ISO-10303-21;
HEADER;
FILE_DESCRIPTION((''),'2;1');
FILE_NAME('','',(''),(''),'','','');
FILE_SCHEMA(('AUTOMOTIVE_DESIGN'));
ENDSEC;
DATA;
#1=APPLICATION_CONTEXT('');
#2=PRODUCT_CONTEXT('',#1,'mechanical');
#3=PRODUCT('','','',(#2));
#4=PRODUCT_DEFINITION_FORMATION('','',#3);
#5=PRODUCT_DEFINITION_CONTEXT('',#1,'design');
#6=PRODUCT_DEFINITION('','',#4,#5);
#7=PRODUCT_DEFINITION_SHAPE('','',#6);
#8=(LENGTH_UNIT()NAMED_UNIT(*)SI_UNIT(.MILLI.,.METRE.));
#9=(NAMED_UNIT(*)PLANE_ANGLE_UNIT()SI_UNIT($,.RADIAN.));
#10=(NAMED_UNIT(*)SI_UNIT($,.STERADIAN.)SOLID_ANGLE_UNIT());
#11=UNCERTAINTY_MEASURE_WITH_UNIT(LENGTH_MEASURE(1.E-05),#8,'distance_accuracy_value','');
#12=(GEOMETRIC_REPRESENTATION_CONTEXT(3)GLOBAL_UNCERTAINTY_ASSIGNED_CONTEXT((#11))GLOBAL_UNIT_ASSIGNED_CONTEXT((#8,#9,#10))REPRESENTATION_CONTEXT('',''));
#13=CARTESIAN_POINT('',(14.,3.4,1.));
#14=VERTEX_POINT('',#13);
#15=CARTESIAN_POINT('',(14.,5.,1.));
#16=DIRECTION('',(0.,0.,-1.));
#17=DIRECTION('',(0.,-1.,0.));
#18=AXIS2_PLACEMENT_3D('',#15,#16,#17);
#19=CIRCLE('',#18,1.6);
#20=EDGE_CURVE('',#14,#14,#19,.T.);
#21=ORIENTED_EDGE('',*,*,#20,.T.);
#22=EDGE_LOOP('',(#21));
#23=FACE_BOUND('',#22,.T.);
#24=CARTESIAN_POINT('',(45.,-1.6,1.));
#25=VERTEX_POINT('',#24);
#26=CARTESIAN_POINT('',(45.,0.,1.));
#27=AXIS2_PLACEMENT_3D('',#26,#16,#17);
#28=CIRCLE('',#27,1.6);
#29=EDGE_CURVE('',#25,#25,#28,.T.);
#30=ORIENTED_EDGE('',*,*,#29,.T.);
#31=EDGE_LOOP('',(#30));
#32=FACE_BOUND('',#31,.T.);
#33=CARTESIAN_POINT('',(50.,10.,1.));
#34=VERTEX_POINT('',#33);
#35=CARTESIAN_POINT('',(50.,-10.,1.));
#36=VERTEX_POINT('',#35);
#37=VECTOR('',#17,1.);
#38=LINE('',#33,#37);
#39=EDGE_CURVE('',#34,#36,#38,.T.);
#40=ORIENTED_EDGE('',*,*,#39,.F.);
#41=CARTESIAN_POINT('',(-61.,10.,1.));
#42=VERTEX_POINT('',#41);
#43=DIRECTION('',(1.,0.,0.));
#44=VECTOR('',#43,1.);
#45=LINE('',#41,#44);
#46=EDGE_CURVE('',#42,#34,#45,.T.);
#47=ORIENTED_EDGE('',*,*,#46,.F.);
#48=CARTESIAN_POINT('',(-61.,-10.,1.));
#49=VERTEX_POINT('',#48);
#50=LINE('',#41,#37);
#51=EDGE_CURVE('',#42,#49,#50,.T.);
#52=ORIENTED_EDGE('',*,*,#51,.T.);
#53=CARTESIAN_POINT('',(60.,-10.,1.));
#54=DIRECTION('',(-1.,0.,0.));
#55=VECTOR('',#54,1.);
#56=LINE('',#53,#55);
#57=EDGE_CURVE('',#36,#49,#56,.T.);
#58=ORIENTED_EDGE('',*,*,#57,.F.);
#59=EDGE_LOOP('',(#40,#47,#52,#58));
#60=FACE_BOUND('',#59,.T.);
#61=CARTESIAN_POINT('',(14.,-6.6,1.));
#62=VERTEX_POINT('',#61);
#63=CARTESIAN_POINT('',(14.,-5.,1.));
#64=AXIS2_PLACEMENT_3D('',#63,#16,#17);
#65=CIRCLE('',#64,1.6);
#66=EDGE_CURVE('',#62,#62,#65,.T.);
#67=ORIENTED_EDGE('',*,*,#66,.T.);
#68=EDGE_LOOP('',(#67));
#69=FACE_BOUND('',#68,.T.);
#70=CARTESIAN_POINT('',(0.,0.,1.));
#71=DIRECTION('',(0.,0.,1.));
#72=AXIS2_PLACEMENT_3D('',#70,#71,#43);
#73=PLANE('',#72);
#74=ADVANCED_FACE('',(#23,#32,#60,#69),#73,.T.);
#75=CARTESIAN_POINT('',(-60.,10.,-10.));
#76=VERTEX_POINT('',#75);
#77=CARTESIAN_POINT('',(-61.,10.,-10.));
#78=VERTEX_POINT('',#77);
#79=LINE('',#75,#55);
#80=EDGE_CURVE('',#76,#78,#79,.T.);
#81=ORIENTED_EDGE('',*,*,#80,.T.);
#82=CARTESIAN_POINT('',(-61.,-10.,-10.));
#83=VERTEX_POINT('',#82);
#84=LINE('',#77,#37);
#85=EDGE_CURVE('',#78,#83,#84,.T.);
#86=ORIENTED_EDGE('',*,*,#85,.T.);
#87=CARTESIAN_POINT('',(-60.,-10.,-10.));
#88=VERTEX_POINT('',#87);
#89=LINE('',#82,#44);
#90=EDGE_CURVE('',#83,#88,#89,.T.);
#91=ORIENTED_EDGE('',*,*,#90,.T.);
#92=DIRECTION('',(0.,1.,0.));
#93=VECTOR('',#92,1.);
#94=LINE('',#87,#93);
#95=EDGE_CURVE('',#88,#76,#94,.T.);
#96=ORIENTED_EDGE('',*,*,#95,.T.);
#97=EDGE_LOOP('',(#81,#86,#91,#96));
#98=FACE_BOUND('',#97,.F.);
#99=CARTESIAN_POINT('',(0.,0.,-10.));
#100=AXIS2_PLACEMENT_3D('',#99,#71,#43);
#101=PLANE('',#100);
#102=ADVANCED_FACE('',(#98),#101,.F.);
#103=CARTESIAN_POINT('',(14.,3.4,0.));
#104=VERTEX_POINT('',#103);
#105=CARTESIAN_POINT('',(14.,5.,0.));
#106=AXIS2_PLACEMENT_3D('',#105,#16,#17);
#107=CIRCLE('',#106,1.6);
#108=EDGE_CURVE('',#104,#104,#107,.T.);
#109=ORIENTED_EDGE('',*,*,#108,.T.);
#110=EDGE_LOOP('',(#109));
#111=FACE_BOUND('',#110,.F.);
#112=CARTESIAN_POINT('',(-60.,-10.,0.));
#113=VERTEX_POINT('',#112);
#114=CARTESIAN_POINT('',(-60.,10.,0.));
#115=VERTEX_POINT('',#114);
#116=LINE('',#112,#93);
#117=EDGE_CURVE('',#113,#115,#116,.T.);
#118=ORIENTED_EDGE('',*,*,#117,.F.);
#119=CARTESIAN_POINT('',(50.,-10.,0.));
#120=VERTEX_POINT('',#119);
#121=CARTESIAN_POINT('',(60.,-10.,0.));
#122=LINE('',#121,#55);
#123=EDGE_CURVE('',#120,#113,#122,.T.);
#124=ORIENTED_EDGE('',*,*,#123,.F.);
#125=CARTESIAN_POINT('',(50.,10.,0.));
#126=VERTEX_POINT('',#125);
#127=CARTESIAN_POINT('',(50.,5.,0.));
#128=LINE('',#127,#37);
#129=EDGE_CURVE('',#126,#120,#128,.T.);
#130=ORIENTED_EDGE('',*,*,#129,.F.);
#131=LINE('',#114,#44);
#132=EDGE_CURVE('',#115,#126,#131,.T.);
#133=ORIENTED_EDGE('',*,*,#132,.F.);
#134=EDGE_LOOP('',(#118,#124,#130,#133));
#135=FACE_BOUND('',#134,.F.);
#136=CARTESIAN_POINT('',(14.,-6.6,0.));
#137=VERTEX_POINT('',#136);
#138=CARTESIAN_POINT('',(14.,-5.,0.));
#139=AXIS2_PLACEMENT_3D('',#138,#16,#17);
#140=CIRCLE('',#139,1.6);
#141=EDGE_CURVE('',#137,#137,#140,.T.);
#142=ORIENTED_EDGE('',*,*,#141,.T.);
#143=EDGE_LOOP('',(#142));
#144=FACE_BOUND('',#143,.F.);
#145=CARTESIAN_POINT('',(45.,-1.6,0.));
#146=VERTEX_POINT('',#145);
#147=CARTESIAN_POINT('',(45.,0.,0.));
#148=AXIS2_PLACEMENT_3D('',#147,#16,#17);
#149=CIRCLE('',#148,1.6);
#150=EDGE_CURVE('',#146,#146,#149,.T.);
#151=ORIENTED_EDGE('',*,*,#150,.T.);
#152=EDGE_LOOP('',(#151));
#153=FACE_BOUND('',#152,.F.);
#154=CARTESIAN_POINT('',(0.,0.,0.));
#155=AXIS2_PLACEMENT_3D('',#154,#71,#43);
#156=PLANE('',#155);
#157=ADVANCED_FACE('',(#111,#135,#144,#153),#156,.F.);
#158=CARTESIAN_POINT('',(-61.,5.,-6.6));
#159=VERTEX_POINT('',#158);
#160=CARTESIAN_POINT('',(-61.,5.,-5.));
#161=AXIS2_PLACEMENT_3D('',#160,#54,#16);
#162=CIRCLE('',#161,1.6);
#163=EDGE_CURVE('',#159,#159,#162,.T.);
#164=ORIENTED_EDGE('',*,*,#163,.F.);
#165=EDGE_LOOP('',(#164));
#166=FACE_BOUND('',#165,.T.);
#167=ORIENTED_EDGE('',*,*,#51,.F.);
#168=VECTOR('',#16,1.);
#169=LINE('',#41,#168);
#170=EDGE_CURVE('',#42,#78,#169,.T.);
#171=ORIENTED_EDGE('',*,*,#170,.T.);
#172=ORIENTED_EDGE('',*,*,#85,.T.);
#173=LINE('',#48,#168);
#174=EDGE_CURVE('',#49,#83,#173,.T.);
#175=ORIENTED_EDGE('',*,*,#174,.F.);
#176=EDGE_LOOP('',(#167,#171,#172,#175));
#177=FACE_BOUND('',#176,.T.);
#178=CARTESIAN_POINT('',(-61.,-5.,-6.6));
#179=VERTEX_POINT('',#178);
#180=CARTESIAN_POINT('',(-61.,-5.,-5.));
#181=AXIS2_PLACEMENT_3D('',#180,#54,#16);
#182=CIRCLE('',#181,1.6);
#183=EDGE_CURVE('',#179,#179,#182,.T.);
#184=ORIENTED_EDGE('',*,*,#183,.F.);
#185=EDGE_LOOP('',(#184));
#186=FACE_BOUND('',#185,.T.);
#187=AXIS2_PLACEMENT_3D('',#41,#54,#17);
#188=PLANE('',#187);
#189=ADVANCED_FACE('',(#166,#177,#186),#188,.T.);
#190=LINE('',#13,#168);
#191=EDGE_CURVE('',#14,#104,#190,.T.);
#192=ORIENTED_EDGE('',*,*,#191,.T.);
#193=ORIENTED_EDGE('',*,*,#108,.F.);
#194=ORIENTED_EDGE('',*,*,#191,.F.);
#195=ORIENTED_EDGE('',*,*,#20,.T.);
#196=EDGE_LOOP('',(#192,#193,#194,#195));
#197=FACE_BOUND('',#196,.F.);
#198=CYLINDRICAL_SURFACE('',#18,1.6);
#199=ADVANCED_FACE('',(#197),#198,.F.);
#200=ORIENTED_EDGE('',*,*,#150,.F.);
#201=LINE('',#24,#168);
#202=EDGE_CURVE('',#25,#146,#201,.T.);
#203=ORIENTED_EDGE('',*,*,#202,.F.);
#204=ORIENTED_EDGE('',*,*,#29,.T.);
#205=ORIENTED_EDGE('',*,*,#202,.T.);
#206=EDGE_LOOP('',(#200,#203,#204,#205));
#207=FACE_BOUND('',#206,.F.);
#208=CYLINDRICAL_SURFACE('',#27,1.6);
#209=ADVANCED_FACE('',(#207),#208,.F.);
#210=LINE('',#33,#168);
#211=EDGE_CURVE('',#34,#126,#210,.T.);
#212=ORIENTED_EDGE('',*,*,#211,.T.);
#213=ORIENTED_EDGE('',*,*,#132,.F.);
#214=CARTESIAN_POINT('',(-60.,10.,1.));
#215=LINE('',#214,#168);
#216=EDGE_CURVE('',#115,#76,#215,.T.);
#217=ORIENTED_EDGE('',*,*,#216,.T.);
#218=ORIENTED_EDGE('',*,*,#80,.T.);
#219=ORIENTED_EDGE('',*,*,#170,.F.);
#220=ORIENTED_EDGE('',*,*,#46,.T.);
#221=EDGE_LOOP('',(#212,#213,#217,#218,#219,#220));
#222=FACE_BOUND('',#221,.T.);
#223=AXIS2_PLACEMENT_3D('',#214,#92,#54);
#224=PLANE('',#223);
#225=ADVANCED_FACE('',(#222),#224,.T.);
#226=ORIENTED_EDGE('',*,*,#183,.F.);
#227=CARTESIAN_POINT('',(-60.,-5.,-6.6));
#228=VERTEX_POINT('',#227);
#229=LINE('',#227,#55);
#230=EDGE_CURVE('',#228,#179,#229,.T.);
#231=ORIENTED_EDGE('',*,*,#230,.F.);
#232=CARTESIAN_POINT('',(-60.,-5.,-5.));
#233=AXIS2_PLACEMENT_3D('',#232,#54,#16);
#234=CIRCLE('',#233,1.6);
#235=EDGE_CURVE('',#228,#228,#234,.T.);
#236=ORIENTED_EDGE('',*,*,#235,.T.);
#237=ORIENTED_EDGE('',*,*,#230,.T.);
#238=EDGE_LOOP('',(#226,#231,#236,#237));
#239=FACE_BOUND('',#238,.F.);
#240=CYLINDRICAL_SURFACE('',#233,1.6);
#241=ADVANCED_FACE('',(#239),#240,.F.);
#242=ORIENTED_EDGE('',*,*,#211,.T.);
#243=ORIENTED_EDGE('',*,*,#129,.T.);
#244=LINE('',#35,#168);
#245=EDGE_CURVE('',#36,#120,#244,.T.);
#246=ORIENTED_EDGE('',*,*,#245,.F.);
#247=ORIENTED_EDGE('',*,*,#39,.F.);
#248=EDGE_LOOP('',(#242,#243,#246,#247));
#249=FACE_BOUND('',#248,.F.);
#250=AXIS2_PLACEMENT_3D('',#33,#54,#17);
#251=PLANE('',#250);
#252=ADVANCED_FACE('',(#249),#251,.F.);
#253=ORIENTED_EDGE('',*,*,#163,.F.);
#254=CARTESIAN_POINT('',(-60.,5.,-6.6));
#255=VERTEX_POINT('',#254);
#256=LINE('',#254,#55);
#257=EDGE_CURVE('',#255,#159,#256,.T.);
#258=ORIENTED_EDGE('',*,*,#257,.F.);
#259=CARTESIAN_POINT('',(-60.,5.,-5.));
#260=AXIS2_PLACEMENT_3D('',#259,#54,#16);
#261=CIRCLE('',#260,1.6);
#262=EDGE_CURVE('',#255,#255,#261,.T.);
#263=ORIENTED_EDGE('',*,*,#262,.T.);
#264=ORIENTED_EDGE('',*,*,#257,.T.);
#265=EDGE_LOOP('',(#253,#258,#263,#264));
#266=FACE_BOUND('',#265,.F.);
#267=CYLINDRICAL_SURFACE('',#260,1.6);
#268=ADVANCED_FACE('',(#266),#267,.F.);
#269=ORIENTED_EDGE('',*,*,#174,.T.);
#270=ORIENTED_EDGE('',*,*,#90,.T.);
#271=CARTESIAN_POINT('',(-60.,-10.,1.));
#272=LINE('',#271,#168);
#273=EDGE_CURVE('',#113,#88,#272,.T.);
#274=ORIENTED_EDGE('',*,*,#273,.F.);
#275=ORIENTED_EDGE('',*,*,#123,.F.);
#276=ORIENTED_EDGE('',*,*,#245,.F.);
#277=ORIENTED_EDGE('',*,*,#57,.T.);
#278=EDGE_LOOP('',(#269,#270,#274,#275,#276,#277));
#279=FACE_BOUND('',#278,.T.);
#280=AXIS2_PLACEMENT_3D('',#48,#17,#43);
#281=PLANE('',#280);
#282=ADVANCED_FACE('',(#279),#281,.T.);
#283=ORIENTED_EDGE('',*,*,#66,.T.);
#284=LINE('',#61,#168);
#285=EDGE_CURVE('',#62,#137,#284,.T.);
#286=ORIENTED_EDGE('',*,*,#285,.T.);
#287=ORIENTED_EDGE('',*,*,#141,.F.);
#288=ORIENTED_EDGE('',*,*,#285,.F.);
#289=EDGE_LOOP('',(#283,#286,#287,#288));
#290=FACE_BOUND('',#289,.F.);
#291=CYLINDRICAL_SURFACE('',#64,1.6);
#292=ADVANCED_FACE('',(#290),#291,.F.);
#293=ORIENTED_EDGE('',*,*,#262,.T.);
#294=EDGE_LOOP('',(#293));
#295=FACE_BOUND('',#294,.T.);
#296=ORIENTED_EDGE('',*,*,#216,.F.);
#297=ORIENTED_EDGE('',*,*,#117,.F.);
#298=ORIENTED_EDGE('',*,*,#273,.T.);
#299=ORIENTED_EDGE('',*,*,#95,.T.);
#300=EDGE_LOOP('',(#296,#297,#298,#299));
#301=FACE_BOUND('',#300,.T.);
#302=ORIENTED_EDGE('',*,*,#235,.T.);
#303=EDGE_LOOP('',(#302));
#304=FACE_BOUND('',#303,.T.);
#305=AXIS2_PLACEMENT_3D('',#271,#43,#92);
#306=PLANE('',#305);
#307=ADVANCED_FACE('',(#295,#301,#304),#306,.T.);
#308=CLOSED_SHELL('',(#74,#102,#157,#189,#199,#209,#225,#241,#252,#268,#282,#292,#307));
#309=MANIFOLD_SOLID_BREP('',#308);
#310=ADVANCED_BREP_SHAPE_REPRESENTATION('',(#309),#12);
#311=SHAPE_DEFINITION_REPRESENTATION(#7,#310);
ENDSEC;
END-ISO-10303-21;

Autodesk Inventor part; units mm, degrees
ref_plane "YZ Plane" through (0, 0, 0) normal (1, 0, 0) x (0, 1, 0)
ref_plane "XZ Plane" through (0, 0, 0) normal (0, 1, 0) x (-1, 0, 0)
ref_plane "XY Plane" through (0, 0, 0) normal (0, 0, 1) x (1, 0, 0)
sketch "スケッチ1" plane through (0, 0, 0) normal (0, 0, 1) x (1, 0, 0)
  line L0 (-60, 10) -> (60, 10)
  line L1 (60, 10) -> (60, -10)
  line L2 (60, -10) -> (-60, -10)
  line L3 (-60, -10) -> (-60, 10)
  line L4 (-60, 10) -> (60, -10) construction
  line L5 (60, 10) -> (-60, -10) construction
  point P0 (0, 0)
  dimension "d0" = 120
  dimension "d1" = 20
extrude "押し出し1" add sketch "スケッチ1" along normal blind 1
sketch "スケッチ2" plane through (0, 0, 1) normal (0, 0, 1) x (1, 0, 0)
  line L0 (60, -10) -> (60, 10) projected
  line L1 (60, 10) -> (-60, 10) projected
  line L2 (-60, 10) -> (-60, -10) projected
  line L3 (-60, -10) -> (60, -10) projected
  point P0 (0, 0)
  point P1 (14, 5)
  point P2 (14, -5)
  point P3 (45, 0)
  dimension "d4" = 15
  dimension "d5" = 10
  dimension "d7" = 46
  dimension "d8" = 5
  dimension "d9" = 5
hole "穴1" at (14, 5, 1) at (14, -5, 1) at (45, 0, 1) direction (0, 0, -1) diameter 3.2 end through all
sketch "スケッチ3" plane through (0, 0, 1) normal (0, 0, 1) x (1, 0, 0)
  line L0 (-60, 10) -> (-61, 10)
  line L1 (-61, 10) -> (-61, -10)
  line L2 (-61, -10) -> (-60, -10)
  line L3 (-60, -10) -> (-60, 10)
  point P0 (0, 0)
  dimension "d17" = 1
  dimension "d18" = 20
extrude "押し出し2" add sketch "スケッチ3" against normal blind 11
sketch "スケッチ4" plane through (-60, -10, 0) normal (1, 0, 0) x (0, 0, -1)
  line L0 (10, 20) -> (10, 0) projected
  line L1 (0, 20) -> (10, 20) projected
  line L2 (0, 0) -> (10, 0) projected
  point P0 (0, 10)
  point P1 (5, 15)
  point P2 (5, 5)
  dimension "d21" = 5
  dimension "d22" = 5
  dimension "d30" = 5
  dimension "d31" = 5
  dimension "d32" = 10
hole "穴2" at (-60, 5, -5) at (-60, -5, -5) direction (-1, 0, 0) diameter 3.2 end through all
sketch "スケッチ5" plane through (0, 0, 1) normal (0, 0, 1) x (1, 0, 0)
  line L0 (-61, -10) -> (60, -10) projected
  line L1 (60, 10) -> (50, 10)
  line L2 (50, 10) -> (50, -10)
  line L3 (50, -10) -> (60, -10)
  line L4 (60, -10) -> (60, 10)
  point P0 (0, 0)
  dimension "d33" = 10
extrude "押し出し3" cut sketch "スケッチ5" against normal blind 10
properties part number "爪＿2" material "アルミニウム 6061"
